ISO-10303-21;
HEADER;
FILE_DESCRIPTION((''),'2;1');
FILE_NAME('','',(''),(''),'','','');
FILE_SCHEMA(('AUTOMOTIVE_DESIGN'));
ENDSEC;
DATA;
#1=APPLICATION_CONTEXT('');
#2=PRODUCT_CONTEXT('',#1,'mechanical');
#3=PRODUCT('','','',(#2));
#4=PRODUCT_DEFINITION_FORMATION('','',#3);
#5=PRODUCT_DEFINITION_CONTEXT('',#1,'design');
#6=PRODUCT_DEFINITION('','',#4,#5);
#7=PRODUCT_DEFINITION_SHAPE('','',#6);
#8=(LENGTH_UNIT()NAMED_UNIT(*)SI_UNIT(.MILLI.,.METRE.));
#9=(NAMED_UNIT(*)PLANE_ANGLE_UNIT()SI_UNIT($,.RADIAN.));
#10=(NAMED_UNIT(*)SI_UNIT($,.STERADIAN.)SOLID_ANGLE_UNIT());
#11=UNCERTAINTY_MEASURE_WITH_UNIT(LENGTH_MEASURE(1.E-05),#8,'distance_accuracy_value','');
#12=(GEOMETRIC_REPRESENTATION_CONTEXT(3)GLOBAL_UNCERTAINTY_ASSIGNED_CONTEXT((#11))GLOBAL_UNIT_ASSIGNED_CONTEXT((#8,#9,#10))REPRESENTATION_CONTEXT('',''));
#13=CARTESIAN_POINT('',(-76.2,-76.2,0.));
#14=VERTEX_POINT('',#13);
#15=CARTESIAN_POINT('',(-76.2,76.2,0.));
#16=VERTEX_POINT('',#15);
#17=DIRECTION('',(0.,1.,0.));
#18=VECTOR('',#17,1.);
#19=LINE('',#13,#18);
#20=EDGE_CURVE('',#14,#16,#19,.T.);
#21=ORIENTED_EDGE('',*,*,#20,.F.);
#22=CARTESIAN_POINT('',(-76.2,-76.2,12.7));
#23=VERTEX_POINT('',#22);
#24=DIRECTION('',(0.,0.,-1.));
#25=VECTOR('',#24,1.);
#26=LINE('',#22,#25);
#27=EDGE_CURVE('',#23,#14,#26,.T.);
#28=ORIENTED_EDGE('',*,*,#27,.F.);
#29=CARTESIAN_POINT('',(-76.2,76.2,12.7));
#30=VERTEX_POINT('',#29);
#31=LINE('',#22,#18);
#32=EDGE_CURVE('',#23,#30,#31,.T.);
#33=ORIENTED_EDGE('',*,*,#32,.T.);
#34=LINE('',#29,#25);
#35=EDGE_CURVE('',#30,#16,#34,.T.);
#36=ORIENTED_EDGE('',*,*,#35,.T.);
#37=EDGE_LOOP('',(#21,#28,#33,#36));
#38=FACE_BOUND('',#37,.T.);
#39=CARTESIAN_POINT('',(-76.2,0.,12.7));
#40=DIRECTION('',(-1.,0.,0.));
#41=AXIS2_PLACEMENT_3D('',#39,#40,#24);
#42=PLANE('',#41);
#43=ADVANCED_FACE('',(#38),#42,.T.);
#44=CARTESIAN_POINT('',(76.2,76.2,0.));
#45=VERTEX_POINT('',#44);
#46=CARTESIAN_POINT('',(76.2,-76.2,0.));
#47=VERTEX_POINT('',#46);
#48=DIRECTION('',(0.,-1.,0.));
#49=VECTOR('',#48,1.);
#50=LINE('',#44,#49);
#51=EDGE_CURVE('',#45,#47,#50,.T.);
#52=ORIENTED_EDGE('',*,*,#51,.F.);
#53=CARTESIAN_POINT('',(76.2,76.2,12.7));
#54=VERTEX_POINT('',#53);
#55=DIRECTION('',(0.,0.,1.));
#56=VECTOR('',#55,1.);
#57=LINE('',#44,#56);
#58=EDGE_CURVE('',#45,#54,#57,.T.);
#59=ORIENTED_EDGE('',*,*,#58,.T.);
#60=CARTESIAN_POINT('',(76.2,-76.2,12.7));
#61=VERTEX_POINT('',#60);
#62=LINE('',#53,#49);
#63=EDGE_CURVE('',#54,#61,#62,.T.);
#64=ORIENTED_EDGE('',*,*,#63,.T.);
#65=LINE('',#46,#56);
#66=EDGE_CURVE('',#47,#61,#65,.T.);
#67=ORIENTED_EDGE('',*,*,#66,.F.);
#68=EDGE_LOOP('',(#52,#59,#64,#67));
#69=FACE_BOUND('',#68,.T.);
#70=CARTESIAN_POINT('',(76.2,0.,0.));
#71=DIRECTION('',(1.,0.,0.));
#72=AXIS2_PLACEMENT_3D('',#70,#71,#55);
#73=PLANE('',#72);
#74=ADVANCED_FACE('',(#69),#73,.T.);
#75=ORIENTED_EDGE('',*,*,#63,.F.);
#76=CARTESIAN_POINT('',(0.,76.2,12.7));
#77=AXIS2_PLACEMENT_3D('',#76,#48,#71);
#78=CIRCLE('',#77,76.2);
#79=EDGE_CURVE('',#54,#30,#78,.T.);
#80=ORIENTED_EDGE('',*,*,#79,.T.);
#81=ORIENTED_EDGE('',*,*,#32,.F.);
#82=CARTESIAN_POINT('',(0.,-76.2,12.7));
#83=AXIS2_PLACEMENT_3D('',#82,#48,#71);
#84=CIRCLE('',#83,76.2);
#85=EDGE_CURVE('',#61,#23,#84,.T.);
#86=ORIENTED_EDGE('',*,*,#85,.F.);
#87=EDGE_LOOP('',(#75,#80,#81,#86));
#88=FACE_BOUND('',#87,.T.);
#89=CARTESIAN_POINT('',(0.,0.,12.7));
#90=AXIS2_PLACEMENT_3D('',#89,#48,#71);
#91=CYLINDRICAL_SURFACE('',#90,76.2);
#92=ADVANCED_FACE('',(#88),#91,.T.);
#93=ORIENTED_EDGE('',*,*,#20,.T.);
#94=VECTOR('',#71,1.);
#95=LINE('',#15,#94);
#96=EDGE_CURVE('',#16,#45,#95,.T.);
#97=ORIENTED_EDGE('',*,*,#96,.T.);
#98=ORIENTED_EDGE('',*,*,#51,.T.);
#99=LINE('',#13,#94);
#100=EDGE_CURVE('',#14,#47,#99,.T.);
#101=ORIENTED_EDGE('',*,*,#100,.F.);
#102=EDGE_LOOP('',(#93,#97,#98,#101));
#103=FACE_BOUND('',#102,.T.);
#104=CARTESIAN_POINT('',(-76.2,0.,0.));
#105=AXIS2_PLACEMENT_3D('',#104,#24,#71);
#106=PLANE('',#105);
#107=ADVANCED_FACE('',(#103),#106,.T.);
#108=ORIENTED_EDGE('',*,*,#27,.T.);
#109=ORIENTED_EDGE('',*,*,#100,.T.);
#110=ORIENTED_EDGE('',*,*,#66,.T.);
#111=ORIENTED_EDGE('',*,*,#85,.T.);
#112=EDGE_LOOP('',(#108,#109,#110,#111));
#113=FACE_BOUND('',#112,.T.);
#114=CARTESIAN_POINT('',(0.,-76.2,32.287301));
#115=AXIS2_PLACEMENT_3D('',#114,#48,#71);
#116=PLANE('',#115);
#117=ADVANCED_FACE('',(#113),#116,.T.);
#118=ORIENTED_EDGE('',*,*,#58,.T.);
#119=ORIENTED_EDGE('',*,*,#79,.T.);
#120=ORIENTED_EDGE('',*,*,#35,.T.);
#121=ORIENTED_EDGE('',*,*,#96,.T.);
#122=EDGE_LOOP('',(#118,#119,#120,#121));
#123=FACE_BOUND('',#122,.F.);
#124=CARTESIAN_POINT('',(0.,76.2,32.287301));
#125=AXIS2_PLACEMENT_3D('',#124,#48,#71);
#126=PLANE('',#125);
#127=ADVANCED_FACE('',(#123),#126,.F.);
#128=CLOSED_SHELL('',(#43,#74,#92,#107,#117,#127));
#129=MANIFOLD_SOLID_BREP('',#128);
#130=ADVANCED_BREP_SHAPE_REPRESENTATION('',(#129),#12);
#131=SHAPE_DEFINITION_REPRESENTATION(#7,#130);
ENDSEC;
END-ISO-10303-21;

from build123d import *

# Parameters (mm, degrees)
F1_DEPTH = 76.2


with BuildPart() as f1:
    # F0 (on Front) → F1 (new body, symmetric)
    with BuildSketch(Plane.XZ):
        with BuildLine():
            Line((-76.2, 0), (76.2, 0))
            Line((76.2, 0), (76.2, 12.7))
            ThreePointArc((76.2, 12.7), (0, 88.9), (-76.2, 12.7))
            Line((-76.2, 12.7), (-76.2, 0))
        make_face()
    extrude(amount=F1_DEPTH, both=True)


solid = f1.part
